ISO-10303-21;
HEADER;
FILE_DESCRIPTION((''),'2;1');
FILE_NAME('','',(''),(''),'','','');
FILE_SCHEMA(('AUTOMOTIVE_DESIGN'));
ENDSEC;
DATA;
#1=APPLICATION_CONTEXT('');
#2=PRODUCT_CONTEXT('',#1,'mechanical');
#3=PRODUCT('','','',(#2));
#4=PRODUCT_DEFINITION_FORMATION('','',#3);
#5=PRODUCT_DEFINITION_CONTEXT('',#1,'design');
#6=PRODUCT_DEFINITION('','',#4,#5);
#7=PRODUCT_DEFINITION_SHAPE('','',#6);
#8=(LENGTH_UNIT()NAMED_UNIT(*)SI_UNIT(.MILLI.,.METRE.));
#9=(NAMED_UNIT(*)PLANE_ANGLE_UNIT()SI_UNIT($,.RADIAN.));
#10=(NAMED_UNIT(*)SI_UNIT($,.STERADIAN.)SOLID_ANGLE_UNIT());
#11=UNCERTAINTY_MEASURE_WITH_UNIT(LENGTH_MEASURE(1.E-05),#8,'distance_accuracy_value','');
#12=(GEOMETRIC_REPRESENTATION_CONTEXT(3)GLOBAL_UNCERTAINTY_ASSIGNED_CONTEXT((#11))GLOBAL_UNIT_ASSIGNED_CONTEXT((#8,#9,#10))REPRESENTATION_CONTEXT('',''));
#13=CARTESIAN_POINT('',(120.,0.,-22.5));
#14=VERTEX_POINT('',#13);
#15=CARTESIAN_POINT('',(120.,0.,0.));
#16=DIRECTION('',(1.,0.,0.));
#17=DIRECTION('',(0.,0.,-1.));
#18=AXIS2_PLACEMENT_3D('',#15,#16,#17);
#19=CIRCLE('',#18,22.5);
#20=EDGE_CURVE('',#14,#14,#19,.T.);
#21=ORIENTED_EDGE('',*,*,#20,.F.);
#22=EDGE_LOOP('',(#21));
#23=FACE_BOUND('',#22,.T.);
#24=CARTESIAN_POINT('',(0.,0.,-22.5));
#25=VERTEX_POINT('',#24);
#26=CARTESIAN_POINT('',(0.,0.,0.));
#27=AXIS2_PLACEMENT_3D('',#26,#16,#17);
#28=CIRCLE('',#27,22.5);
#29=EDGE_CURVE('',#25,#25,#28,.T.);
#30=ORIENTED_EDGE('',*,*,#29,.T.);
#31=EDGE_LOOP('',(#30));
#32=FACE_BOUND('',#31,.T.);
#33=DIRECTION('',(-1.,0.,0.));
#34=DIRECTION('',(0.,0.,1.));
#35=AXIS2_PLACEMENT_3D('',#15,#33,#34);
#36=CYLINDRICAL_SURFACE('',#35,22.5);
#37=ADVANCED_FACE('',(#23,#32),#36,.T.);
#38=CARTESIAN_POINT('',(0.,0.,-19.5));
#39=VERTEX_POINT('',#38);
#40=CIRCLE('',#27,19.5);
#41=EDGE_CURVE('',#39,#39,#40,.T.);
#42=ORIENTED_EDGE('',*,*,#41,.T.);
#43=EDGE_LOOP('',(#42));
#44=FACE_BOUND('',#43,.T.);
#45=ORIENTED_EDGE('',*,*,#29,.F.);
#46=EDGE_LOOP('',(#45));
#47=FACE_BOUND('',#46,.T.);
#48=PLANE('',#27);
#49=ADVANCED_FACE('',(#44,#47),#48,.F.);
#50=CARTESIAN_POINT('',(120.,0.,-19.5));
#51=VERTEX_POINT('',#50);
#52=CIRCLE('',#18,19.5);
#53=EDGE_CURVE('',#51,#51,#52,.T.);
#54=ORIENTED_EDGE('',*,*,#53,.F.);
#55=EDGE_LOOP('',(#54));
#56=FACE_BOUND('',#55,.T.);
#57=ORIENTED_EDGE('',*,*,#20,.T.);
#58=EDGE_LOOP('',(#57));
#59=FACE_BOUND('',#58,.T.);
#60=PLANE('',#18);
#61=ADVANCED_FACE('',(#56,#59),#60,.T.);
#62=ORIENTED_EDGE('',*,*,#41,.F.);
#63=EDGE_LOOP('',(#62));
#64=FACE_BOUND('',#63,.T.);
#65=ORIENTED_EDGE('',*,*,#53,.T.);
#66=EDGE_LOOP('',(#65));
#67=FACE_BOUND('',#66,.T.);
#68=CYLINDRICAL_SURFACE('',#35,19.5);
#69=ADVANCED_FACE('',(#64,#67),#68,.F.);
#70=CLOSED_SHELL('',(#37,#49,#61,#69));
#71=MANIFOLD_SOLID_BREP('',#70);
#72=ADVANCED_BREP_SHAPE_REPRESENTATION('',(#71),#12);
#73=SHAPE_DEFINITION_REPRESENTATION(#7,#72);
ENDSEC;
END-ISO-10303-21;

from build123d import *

# Parameters (mm, degrees)
SKETCH_1_R      = 22.5
SKETCH_1_R_2    = 19.5
EXTRUDE_1_DEPTH = 120


with BuildPart() as part:
    # Эскиз1 → Бобышка-Вытянуть1 (new body)
    with BuildSketch(Plane(origin=(0, 0, 0), x_dir=(0, 0, -1), z_dir=(1, 0, 0))):
        Circle(SKETCH_1_R)
        Circle(SKETCH_1_R_2, mode=Mode.SUBTRACT)
    extrude(amount=EXTRUDE_1_DEPTH)


solid = part.part
